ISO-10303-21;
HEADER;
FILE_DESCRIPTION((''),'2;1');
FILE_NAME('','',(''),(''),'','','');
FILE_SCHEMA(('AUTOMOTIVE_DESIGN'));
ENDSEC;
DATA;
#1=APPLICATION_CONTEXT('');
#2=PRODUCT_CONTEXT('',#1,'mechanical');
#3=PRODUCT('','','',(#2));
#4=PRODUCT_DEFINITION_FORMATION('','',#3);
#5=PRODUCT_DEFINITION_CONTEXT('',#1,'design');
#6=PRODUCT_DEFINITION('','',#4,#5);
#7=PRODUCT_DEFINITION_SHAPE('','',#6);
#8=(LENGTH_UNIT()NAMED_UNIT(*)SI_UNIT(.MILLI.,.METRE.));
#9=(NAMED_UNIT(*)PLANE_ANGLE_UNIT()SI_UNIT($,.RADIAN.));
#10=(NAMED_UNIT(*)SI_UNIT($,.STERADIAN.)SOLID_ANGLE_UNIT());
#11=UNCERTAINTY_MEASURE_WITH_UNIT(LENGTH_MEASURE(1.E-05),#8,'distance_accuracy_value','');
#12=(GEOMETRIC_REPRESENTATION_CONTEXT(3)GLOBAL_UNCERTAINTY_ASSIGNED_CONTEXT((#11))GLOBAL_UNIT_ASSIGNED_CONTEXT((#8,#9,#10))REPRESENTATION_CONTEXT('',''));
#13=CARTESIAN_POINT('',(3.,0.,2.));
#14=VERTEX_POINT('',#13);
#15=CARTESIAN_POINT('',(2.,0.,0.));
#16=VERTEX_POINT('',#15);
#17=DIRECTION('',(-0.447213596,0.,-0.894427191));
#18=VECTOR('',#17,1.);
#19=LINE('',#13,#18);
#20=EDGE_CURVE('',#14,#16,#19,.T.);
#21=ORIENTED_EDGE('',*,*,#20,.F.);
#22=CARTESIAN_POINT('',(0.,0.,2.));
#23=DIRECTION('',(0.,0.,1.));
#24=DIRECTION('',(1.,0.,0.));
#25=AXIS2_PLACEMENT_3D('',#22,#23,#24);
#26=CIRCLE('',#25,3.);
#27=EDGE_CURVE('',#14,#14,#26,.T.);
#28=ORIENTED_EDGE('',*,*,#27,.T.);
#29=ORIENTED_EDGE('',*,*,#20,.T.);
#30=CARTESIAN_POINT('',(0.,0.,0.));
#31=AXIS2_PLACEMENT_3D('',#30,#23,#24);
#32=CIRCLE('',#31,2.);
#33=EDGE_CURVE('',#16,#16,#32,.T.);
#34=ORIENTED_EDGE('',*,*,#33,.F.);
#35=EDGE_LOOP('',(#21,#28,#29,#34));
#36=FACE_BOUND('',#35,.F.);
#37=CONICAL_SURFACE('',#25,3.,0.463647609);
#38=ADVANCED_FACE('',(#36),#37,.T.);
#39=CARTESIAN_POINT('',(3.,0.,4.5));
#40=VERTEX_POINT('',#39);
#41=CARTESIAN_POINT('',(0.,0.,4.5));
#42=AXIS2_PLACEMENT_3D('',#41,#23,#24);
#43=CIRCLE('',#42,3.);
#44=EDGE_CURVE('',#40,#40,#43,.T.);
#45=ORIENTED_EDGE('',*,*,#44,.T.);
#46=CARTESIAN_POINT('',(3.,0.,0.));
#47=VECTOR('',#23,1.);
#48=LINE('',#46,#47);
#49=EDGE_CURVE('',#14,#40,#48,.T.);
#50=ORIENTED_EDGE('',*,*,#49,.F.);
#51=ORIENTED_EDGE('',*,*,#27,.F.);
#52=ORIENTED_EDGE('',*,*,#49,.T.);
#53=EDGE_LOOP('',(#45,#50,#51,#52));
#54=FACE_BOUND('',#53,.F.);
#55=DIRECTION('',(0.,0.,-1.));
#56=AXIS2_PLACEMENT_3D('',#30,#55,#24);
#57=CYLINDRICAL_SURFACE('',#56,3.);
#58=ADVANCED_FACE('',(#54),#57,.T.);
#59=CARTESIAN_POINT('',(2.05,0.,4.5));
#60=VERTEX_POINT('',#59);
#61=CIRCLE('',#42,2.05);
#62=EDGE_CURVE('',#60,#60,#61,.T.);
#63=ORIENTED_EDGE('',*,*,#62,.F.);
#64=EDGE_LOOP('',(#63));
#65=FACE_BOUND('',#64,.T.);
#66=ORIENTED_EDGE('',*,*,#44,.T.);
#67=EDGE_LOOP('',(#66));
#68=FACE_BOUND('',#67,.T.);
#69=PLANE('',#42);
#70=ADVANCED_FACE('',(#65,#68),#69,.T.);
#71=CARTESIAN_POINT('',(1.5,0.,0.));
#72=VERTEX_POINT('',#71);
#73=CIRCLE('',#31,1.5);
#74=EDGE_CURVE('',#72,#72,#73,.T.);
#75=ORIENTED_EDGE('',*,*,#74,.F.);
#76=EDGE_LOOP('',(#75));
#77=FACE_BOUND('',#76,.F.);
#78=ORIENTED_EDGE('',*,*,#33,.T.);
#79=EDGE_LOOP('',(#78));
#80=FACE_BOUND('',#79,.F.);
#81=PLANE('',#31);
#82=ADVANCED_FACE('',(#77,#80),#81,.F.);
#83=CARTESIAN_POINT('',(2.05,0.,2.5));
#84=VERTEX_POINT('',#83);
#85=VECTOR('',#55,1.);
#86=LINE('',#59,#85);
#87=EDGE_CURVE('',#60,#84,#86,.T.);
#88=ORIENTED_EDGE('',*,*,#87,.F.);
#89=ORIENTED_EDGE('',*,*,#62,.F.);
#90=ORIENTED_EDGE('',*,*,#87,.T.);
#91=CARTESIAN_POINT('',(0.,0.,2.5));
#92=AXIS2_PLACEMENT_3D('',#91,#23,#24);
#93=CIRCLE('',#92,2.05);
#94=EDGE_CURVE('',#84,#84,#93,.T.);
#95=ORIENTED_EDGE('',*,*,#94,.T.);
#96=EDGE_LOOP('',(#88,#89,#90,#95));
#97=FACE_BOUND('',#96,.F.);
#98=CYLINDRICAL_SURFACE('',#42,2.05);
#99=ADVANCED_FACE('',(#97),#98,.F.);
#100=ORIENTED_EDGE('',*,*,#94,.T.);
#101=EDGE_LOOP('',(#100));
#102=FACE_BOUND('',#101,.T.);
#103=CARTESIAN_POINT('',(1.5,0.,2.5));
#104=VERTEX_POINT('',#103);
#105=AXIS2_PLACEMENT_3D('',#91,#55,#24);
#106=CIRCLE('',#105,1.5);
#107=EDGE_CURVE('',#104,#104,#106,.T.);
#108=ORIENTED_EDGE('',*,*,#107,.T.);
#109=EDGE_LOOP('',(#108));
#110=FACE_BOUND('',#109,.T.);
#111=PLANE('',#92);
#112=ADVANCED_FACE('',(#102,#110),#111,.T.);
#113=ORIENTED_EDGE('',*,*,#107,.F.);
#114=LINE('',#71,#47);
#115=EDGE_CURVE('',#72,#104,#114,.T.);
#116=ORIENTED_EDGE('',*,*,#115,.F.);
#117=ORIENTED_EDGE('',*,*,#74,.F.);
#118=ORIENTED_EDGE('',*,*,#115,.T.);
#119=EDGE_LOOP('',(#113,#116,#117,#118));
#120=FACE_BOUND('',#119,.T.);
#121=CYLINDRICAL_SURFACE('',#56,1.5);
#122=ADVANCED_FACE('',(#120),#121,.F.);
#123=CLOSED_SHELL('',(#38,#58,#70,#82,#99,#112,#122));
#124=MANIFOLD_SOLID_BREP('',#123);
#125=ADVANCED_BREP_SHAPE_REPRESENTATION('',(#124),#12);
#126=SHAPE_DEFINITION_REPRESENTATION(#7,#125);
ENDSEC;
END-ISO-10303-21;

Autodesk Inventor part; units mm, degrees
ref_plane "YZ Plane" through (0, 0, 0) normal (1, 0, 0) x (0, 1, 0)
ref_plane "XZ Plane" through (0, 0, 0) normal (0, 1, 0) x (-1, 0, 0)
ref_plane "XY Plane" through (0, 0, 0) normal (0, 0, 1) x (1, 0, 0)
sketch "スケッチ1" plane through (0, 0, 0) normal (0, 0, 1) x (1, 0, 0)
  circle A0 centre (0, 0) radius 3
  circle A1 centre (0, 0) radius 1.5
  dimension "d0" = 6
  dimension "d1" = 3
extrude "押し出し1" add sketch "スケッチ1" along normal blind 4.5
chamfer "面取り1" distance 2 distance2 1 1 edges at (-3, 0, 0) measured on face at (2.9903, -0.2414, 3)
sketch "スケッチ6" plane through (0, 0, 4.5) normal (0, 0, 1) x (1, 0, 0)
  circle A0 centre (0, 0) radius 2.05
  dimension "d23" = 4.1
extrude "押し出し4" cut sketch "スケッチ6" against normal blind 2
properties part number "Magnet_Simple"
